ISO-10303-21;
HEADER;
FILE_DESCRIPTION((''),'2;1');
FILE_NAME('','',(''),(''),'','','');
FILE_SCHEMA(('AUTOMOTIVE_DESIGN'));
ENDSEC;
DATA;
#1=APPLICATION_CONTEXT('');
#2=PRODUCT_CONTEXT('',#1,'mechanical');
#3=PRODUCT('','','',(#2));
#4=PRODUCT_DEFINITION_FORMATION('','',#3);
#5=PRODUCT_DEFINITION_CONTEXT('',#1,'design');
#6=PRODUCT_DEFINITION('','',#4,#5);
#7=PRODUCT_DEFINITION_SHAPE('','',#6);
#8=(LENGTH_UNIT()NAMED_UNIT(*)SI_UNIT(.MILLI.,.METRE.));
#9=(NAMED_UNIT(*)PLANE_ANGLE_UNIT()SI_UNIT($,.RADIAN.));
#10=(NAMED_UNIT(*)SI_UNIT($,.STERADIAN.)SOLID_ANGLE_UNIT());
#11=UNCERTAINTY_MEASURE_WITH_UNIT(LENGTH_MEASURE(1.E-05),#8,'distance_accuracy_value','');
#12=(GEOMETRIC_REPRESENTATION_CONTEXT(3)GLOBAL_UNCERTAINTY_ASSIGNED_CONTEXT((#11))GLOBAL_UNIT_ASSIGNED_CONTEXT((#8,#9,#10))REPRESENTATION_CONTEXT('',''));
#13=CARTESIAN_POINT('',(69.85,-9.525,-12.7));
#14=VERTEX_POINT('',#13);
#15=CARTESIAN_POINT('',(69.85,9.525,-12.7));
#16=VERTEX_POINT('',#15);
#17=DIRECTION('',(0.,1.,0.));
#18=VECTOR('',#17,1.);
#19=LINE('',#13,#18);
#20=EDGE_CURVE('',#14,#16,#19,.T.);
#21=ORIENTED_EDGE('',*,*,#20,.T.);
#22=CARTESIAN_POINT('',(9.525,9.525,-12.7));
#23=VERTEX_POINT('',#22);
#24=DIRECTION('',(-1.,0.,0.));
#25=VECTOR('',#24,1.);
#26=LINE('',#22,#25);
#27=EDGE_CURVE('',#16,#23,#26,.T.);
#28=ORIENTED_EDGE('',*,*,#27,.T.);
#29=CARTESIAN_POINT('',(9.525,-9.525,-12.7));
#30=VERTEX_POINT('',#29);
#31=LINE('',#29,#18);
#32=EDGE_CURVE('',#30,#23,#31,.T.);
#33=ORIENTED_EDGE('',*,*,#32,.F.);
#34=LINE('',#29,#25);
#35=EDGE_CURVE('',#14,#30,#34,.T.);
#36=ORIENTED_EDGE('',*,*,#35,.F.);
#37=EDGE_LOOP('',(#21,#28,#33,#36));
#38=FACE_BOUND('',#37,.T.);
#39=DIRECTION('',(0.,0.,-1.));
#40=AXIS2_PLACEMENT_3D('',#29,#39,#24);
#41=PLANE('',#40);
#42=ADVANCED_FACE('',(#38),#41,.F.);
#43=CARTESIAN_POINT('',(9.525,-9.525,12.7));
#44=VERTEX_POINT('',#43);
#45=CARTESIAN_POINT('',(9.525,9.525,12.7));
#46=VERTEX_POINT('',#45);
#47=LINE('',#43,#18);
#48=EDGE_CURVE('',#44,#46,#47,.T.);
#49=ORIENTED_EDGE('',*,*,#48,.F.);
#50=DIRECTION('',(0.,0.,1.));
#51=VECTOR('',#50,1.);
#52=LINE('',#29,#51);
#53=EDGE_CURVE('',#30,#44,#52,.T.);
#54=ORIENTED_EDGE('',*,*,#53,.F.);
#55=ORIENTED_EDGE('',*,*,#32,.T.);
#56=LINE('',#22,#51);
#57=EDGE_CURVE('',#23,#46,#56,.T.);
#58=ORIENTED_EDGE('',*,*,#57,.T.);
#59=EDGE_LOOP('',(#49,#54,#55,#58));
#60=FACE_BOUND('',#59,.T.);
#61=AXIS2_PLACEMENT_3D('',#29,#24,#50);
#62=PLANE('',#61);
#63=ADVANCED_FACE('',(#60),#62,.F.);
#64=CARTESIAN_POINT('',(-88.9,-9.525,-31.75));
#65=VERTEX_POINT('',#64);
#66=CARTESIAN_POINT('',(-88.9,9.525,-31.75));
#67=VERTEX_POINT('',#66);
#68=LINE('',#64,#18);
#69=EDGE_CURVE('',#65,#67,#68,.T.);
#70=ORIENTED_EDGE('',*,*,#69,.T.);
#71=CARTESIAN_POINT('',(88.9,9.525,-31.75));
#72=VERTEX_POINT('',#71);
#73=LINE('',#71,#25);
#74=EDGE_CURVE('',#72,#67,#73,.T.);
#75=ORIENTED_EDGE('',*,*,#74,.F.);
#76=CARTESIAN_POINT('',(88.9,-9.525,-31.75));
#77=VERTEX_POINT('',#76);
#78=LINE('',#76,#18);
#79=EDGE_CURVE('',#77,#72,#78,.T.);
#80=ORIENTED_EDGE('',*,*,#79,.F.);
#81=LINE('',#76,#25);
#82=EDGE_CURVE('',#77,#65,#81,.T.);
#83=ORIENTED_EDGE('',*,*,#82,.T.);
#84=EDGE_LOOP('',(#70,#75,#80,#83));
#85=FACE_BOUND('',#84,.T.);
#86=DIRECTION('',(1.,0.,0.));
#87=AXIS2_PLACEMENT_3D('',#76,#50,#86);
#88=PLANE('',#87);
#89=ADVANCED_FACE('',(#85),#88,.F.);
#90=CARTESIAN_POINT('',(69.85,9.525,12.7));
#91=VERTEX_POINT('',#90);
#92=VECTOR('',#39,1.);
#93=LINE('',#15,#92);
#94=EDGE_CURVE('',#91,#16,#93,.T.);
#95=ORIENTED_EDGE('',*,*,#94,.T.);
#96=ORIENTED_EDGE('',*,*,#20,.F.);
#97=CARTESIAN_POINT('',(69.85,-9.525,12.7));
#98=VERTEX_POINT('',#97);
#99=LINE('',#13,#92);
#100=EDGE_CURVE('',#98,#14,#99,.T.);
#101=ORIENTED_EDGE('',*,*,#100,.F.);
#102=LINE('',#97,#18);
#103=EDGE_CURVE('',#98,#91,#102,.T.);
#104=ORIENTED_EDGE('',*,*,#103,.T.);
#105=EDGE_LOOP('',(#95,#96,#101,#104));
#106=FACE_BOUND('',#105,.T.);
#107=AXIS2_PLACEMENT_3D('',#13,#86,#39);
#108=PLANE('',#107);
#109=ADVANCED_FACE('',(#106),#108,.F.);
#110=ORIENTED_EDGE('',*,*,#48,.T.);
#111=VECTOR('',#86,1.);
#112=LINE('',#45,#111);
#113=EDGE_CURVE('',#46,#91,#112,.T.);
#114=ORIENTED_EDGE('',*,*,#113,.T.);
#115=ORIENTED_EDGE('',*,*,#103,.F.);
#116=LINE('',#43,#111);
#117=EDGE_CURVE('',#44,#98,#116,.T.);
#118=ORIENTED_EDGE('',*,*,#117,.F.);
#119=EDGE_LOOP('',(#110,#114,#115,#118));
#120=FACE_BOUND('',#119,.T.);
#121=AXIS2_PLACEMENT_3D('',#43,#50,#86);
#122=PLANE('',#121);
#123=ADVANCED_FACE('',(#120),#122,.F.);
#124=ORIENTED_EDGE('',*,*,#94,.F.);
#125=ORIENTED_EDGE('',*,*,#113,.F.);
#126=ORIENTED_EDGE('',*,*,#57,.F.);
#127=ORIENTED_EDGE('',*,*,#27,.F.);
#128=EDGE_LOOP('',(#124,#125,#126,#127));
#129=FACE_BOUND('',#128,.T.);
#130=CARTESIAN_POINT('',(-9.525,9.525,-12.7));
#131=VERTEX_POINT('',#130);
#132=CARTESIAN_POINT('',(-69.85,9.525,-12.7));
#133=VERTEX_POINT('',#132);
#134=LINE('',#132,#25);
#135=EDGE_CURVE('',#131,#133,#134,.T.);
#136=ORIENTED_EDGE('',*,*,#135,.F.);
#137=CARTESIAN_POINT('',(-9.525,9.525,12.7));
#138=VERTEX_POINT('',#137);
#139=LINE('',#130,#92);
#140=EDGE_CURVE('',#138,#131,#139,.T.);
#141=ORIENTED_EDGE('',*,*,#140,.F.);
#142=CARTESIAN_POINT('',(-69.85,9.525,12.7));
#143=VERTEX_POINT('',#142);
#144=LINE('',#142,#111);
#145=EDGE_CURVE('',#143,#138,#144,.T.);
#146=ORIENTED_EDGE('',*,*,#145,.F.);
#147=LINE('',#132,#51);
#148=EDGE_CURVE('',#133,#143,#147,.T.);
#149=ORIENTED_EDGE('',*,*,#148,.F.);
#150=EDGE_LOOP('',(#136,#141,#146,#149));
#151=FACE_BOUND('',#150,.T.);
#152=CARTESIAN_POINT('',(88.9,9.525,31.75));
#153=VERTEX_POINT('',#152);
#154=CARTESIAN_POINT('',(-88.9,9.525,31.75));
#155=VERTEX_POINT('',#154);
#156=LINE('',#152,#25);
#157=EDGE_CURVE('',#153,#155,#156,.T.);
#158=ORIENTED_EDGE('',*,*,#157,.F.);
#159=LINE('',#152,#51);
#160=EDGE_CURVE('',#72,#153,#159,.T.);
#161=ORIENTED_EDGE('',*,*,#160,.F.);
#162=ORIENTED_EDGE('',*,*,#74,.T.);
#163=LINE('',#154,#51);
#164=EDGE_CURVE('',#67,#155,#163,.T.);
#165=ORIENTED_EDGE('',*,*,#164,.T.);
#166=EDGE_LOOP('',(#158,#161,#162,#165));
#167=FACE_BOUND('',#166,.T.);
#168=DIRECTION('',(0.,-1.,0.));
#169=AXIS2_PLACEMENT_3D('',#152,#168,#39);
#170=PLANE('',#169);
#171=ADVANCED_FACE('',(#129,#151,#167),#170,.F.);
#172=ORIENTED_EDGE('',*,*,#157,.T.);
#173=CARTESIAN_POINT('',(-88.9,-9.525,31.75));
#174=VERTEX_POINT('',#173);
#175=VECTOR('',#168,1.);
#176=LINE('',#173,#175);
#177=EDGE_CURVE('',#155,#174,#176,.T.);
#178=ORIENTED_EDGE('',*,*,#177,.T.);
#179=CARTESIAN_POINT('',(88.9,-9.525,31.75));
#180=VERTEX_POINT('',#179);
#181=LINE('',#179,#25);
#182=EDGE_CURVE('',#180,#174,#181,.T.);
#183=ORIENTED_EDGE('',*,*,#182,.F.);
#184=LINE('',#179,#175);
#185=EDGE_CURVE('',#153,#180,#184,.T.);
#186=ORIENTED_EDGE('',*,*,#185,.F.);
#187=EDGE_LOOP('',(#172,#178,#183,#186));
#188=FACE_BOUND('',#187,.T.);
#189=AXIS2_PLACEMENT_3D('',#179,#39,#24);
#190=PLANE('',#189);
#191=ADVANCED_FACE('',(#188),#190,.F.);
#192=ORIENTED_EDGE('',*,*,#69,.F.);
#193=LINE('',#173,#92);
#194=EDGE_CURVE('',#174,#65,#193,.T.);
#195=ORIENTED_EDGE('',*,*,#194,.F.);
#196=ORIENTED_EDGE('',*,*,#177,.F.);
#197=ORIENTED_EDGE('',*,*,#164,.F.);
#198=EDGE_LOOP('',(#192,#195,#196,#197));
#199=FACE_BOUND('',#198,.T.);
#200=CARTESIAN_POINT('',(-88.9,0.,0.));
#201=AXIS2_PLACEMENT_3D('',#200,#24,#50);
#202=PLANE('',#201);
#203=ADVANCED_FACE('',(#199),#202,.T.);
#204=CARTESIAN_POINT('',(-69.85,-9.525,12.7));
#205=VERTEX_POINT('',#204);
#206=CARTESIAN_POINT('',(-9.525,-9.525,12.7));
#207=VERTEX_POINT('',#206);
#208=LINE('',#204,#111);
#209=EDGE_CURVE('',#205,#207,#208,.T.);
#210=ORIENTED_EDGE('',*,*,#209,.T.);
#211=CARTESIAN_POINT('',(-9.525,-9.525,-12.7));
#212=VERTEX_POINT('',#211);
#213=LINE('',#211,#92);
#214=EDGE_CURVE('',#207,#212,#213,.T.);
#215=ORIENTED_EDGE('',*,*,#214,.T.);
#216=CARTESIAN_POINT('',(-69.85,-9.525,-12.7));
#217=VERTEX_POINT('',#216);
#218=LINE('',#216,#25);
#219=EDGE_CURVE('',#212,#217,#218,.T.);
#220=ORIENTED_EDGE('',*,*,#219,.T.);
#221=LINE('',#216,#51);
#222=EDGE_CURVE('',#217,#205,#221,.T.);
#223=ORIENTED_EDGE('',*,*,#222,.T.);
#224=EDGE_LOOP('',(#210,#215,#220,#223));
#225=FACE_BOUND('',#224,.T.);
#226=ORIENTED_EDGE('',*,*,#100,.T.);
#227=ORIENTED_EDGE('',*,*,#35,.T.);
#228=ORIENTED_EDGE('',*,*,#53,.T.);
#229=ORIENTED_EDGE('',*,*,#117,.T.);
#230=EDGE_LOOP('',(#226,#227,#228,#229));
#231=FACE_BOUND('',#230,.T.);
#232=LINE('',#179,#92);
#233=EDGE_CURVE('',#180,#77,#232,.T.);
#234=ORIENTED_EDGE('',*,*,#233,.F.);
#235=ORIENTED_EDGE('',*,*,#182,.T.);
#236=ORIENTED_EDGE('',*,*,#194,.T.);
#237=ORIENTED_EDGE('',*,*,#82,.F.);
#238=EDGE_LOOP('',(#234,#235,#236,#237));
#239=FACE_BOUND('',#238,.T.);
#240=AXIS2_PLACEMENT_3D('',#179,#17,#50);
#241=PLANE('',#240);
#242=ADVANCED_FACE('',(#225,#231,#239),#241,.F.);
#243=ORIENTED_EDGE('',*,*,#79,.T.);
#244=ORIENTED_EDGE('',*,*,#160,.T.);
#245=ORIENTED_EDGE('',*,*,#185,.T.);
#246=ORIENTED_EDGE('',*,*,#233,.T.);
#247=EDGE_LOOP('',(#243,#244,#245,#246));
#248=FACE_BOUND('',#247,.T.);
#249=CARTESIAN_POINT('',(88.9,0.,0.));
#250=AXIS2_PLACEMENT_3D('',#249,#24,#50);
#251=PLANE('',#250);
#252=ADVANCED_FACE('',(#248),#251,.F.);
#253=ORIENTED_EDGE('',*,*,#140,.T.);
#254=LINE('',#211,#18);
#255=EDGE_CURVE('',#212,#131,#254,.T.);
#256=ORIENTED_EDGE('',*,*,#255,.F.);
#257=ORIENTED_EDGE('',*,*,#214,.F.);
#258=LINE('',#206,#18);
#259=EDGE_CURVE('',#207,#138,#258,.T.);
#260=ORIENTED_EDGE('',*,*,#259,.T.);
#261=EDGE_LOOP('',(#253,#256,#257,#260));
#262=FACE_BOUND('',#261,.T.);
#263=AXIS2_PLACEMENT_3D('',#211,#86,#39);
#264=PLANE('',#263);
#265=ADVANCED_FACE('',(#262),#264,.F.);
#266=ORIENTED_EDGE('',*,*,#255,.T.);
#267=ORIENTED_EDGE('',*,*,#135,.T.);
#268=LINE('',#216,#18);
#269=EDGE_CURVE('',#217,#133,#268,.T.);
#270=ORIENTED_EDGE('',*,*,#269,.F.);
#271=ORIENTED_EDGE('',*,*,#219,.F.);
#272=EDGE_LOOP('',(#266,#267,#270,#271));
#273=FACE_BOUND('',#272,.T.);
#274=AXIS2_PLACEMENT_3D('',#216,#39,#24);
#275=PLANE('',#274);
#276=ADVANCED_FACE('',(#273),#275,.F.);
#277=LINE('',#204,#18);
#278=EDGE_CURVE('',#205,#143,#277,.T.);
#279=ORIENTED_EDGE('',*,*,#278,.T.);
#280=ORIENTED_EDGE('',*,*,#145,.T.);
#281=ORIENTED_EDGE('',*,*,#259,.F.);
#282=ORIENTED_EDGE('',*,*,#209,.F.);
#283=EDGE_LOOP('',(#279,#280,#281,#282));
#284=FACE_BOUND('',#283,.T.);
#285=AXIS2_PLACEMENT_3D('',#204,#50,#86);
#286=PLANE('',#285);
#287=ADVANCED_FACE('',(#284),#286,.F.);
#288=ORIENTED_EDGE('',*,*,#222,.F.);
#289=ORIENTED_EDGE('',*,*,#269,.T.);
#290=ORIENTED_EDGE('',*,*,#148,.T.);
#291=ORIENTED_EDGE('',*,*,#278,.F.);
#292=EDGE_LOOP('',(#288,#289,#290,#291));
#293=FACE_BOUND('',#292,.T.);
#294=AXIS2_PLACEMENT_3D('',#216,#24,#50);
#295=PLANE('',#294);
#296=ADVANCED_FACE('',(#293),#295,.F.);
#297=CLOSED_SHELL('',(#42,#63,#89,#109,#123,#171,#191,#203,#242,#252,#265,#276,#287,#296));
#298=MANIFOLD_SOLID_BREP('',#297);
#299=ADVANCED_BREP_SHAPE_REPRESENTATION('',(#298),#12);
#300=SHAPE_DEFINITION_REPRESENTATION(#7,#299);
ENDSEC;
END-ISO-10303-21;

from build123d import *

# Parameters (mm, degrees)
SKETCH1_W           = 63.5
SKETCH1_H           = 19.05
BOSS_EXTRUDE1_DEPTH = 88.9
SKETCH5_W           = 60.325
SKETCH5_H           = 25.4
CUT_EXTRUDE4_DEPTH  = 97.302518139


with BuildPart() as part:
    # Sketch1 → Boss-Extrude1 (new, symmetric)
    with BuildSketch(Plane(origin=(0, 0, 0), x_dir=(0, 0, -1), z_dir=(1, 0, 0))):
        Rectangle(SKETCH1_W, SKETCH1_H)
    extrude(amount=BOSS_EXTRUDE1_DEPTH, both=True)

    # Sketch5 → Cut-Extrude4 (cut, through all)
    with BuildSketch(Plane(origin=(0, 9.525, 0), x_dir=(1, 0, 0), z_dir=(0, 1, 0))):
        with Locations((-39.6875, 0)):
            Rectangle(SKETCH5_W, SKETCH5_H)
        with Locations((39.6875, 0)):
            Rectangle(SKETCH5_W, SKETCH5_H)
    extrude(amount=-CUT_EXTRUDE4_DEPTH, mode=Mode.SUBTRACT)


solid = part.part
